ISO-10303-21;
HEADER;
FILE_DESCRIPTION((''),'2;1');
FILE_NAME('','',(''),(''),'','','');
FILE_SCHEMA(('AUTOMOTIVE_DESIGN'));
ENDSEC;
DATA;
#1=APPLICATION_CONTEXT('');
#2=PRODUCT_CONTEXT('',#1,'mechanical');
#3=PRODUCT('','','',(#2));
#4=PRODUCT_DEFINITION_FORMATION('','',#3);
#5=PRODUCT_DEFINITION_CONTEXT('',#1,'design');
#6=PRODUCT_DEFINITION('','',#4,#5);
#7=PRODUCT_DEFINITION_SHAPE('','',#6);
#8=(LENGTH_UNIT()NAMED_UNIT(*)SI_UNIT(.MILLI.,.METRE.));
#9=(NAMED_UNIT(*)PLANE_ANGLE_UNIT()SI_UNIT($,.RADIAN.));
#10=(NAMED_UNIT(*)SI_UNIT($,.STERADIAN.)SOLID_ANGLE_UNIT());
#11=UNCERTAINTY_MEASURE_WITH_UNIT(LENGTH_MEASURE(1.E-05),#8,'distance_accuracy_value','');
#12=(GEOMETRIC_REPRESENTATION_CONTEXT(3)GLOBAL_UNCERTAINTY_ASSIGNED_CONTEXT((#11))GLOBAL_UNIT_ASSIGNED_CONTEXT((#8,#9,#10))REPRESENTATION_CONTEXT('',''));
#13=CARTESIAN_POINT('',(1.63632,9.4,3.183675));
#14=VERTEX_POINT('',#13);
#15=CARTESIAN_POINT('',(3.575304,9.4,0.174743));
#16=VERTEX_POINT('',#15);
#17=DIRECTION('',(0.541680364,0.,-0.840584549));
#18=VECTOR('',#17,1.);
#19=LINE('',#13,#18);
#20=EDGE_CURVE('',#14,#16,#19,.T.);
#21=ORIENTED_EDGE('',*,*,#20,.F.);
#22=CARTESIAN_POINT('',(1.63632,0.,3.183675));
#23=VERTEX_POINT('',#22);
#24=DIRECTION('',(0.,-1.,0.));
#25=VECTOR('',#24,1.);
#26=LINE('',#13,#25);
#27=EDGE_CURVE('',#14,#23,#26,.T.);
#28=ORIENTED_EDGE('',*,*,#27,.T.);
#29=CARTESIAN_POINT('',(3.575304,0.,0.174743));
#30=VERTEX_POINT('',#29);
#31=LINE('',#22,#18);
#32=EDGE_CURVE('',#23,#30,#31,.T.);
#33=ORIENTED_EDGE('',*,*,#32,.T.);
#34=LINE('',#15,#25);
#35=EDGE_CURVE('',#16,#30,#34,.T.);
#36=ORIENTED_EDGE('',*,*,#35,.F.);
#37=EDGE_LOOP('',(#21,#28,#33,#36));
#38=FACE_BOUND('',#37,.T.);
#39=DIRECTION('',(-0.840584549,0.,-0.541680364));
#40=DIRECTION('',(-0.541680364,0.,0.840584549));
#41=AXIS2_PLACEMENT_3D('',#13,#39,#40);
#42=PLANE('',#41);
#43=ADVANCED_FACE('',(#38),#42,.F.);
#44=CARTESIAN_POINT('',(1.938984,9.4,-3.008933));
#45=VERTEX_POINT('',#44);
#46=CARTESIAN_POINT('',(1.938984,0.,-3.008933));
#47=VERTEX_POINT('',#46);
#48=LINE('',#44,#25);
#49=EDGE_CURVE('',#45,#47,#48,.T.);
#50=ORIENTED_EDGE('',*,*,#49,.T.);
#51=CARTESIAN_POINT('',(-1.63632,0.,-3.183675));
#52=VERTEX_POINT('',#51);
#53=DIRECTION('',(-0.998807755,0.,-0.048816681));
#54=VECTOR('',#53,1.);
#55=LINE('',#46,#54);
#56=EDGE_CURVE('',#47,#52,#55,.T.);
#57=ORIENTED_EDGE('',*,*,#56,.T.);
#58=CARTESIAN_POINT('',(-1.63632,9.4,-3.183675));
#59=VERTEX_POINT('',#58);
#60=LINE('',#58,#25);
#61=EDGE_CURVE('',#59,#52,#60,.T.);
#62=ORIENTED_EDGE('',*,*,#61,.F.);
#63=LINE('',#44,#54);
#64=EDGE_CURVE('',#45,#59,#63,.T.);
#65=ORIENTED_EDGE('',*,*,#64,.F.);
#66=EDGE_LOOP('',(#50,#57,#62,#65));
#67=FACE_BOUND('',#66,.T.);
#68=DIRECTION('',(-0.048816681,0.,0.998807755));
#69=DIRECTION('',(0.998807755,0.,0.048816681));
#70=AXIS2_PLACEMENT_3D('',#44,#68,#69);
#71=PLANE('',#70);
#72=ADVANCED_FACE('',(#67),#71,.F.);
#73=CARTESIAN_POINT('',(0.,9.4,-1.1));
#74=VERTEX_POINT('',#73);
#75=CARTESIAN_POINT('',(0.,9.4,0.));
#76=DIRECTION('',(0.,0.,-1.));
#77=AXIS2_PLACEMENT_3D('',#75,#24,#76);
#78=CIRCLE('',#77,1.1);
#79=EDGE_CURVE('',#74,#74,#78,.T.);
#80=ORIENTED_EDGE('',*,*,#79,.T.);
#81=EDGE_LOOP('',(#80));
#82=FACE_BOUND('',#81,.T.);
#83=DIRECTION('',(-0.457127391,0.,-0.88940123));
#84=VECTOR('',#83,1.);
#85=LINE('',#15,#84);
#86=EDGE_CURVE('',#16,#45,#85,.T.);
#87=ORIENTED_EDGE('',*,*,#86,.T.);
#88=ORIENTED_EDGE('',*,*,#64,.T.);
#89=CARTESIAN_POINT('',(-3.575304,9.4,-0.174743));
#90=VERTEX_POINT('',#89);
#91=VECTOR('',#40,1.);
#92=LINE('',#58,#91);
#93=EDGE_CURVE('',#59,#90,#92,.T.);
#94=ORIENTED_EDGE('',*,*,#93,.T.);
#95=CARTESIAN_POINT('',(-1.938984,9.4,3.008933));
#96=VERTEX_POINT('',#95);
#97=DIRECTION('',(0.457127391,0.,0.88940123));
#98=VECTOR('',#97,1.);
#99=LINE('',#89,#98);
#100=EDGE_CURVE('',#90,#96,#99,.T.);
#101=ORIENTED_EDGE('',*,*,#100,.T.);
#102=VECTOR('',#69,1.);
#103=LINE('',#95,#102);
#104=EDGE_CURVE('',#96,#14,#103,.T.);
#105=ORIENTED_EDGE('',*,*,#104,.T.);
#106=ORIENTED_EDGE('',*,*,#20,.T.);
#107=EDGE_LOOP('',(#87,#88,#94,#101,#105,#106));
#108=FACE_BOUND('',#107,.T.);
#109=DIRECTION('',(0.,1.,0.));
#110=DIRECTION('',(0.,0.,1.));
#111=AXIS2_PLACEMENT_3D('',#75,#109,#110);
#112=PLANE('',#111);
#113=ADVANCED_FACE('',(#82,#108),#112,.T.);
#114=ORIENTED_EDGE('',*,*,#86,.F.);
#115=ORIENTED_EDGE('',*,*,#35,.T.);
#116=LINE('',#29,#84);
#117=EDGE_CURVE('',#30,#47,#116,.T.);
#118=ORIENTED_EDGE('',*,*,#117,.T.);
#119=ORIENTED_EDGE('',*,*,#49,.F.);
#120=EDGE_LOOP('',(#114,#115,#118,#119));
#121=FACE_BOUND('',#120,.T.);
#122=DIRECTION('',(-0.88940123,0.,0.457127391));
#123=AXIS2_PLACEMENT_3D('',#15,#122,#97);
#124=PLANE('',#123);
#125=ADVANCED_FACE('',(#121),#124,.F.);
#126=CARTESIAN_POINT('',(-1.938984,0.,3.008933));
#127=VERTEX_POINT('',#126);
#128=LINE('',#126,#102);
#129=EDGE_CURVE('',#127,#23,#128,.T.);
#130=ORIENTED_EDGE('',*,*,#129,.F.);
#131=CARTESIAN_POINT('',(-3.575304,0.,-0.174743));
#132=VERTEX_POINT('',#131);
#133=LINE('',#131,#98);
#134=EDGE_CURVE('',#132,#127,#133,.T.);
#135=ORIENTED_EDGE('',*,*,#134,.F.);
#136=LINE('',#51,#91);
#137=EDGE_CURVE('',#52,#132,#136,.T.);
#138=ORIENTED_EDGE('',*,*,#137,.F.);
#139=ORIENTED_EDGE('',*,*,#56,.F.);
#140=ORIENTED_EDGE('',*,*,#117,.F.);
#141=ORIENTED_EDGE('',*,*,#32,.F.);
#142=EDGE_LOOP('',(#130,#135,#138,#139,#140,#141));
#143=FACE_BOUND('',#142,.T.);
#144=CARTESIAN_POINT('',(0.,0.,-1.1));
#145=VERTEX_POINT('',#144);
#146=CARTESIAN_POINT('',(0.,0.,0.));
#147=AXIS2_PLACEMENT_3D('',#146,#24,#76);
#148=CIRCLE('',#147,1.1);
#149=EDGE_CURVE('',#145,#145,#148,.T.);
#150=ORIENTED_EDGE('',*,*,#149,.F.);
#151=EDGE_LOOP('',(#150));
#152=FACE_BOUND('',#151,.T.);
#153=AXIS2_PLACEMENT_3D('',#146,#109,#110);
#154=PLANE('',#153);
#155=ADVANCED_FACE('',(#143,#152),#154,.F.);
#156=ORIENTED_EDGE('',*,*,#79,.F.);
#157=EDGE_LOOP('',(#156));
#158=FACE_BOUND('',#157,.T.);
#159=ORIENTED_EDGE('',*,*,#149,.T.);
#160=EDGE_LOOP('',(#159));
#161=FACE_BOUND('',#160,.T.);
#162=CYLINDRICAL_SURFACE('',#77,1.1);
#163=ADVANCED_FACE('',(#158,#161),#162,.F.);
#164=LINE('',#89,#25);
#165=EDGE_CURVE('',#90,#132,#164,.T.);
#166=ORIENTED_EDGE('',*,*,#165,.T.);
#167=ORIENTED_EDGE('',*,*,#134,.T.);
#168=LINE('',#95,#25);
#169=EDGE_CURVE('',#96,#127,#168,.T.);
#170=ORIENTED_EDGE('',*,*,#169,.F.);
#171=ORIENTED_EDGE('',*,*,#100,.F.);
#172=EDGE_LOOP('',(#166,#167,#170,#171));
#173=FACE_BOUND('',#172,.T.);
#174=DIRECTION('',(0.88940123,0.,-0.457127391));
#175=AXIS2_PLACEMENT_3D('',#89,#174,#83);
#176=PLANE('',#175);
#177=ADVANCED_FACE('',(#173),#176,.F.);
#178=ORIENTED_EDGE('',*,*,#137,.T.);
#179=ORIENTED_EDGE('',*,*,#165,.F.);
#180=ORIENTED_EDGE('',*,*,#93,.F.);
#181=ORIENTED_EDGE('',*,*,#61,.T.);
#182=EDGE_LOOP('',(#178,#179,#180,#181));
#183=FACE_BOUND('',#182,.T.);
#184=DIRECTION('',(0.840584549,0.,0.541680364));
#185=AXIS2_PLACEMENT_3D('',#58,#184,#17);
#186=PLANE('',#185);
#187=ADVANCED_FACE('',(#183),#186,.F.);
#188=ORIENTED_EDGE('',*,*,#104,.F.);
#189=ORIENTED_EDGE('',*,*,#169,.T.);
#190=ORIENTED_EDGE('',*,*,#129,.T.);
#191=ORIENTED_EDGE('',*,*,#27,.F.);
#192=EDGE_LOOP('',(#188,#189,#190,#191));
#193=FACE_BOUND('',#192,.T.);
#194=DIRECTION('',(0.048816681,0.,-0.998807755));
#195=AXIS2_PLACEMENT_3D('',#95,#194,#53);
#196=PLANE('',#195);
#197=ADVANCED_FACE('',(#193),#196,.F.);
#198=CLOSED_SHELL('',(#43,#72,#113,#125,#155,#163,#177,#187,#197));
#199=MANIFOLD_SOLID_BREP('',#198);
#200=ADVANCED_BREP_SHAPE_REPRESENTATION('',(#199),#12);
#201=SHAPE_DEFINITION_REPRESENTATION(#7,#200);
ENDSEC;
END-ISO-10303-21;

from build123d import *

# Parameters (mm, degrees)
BOSS_EXTRUDE1_DEPTH = 9.4
SKETCH2_R           = 1.1
CUT_EXTRUDE1_DEPTH  = 11.548866651


with BuildPart() as part:
    # Sketch1 → Boss-Extrude1 (new body)
    with BuildSketch(Plane(origin=(0, 0, 0), x_dir=(1, 0, 0), z_dir=(0, 1, 0))):
        Polygon((-1.636320259, 3.183675446), (-3.575303943, 0.17474281), (-1.938983684, -3.008932636), (1.636320259, -3.183675446), (3.575303943, -0.17474281), (1.938983684, 3.008932636), align=None)
    extrude(amount=BOSS_EXTRUDE1_DEPTH)

    # Sketch2 → Cut-Extrude1 (cut, through all)
    with BuildSketch(Plane.XZ):
        with Locations(Location((0, 0, 0), (0, 0, 270))):
            Circle(SKETCH2_R)
    extrude(amount=-CUT_EXTRUDE1_DEPTH, mode=Mode.SUBTRACT)


solid = part.part
